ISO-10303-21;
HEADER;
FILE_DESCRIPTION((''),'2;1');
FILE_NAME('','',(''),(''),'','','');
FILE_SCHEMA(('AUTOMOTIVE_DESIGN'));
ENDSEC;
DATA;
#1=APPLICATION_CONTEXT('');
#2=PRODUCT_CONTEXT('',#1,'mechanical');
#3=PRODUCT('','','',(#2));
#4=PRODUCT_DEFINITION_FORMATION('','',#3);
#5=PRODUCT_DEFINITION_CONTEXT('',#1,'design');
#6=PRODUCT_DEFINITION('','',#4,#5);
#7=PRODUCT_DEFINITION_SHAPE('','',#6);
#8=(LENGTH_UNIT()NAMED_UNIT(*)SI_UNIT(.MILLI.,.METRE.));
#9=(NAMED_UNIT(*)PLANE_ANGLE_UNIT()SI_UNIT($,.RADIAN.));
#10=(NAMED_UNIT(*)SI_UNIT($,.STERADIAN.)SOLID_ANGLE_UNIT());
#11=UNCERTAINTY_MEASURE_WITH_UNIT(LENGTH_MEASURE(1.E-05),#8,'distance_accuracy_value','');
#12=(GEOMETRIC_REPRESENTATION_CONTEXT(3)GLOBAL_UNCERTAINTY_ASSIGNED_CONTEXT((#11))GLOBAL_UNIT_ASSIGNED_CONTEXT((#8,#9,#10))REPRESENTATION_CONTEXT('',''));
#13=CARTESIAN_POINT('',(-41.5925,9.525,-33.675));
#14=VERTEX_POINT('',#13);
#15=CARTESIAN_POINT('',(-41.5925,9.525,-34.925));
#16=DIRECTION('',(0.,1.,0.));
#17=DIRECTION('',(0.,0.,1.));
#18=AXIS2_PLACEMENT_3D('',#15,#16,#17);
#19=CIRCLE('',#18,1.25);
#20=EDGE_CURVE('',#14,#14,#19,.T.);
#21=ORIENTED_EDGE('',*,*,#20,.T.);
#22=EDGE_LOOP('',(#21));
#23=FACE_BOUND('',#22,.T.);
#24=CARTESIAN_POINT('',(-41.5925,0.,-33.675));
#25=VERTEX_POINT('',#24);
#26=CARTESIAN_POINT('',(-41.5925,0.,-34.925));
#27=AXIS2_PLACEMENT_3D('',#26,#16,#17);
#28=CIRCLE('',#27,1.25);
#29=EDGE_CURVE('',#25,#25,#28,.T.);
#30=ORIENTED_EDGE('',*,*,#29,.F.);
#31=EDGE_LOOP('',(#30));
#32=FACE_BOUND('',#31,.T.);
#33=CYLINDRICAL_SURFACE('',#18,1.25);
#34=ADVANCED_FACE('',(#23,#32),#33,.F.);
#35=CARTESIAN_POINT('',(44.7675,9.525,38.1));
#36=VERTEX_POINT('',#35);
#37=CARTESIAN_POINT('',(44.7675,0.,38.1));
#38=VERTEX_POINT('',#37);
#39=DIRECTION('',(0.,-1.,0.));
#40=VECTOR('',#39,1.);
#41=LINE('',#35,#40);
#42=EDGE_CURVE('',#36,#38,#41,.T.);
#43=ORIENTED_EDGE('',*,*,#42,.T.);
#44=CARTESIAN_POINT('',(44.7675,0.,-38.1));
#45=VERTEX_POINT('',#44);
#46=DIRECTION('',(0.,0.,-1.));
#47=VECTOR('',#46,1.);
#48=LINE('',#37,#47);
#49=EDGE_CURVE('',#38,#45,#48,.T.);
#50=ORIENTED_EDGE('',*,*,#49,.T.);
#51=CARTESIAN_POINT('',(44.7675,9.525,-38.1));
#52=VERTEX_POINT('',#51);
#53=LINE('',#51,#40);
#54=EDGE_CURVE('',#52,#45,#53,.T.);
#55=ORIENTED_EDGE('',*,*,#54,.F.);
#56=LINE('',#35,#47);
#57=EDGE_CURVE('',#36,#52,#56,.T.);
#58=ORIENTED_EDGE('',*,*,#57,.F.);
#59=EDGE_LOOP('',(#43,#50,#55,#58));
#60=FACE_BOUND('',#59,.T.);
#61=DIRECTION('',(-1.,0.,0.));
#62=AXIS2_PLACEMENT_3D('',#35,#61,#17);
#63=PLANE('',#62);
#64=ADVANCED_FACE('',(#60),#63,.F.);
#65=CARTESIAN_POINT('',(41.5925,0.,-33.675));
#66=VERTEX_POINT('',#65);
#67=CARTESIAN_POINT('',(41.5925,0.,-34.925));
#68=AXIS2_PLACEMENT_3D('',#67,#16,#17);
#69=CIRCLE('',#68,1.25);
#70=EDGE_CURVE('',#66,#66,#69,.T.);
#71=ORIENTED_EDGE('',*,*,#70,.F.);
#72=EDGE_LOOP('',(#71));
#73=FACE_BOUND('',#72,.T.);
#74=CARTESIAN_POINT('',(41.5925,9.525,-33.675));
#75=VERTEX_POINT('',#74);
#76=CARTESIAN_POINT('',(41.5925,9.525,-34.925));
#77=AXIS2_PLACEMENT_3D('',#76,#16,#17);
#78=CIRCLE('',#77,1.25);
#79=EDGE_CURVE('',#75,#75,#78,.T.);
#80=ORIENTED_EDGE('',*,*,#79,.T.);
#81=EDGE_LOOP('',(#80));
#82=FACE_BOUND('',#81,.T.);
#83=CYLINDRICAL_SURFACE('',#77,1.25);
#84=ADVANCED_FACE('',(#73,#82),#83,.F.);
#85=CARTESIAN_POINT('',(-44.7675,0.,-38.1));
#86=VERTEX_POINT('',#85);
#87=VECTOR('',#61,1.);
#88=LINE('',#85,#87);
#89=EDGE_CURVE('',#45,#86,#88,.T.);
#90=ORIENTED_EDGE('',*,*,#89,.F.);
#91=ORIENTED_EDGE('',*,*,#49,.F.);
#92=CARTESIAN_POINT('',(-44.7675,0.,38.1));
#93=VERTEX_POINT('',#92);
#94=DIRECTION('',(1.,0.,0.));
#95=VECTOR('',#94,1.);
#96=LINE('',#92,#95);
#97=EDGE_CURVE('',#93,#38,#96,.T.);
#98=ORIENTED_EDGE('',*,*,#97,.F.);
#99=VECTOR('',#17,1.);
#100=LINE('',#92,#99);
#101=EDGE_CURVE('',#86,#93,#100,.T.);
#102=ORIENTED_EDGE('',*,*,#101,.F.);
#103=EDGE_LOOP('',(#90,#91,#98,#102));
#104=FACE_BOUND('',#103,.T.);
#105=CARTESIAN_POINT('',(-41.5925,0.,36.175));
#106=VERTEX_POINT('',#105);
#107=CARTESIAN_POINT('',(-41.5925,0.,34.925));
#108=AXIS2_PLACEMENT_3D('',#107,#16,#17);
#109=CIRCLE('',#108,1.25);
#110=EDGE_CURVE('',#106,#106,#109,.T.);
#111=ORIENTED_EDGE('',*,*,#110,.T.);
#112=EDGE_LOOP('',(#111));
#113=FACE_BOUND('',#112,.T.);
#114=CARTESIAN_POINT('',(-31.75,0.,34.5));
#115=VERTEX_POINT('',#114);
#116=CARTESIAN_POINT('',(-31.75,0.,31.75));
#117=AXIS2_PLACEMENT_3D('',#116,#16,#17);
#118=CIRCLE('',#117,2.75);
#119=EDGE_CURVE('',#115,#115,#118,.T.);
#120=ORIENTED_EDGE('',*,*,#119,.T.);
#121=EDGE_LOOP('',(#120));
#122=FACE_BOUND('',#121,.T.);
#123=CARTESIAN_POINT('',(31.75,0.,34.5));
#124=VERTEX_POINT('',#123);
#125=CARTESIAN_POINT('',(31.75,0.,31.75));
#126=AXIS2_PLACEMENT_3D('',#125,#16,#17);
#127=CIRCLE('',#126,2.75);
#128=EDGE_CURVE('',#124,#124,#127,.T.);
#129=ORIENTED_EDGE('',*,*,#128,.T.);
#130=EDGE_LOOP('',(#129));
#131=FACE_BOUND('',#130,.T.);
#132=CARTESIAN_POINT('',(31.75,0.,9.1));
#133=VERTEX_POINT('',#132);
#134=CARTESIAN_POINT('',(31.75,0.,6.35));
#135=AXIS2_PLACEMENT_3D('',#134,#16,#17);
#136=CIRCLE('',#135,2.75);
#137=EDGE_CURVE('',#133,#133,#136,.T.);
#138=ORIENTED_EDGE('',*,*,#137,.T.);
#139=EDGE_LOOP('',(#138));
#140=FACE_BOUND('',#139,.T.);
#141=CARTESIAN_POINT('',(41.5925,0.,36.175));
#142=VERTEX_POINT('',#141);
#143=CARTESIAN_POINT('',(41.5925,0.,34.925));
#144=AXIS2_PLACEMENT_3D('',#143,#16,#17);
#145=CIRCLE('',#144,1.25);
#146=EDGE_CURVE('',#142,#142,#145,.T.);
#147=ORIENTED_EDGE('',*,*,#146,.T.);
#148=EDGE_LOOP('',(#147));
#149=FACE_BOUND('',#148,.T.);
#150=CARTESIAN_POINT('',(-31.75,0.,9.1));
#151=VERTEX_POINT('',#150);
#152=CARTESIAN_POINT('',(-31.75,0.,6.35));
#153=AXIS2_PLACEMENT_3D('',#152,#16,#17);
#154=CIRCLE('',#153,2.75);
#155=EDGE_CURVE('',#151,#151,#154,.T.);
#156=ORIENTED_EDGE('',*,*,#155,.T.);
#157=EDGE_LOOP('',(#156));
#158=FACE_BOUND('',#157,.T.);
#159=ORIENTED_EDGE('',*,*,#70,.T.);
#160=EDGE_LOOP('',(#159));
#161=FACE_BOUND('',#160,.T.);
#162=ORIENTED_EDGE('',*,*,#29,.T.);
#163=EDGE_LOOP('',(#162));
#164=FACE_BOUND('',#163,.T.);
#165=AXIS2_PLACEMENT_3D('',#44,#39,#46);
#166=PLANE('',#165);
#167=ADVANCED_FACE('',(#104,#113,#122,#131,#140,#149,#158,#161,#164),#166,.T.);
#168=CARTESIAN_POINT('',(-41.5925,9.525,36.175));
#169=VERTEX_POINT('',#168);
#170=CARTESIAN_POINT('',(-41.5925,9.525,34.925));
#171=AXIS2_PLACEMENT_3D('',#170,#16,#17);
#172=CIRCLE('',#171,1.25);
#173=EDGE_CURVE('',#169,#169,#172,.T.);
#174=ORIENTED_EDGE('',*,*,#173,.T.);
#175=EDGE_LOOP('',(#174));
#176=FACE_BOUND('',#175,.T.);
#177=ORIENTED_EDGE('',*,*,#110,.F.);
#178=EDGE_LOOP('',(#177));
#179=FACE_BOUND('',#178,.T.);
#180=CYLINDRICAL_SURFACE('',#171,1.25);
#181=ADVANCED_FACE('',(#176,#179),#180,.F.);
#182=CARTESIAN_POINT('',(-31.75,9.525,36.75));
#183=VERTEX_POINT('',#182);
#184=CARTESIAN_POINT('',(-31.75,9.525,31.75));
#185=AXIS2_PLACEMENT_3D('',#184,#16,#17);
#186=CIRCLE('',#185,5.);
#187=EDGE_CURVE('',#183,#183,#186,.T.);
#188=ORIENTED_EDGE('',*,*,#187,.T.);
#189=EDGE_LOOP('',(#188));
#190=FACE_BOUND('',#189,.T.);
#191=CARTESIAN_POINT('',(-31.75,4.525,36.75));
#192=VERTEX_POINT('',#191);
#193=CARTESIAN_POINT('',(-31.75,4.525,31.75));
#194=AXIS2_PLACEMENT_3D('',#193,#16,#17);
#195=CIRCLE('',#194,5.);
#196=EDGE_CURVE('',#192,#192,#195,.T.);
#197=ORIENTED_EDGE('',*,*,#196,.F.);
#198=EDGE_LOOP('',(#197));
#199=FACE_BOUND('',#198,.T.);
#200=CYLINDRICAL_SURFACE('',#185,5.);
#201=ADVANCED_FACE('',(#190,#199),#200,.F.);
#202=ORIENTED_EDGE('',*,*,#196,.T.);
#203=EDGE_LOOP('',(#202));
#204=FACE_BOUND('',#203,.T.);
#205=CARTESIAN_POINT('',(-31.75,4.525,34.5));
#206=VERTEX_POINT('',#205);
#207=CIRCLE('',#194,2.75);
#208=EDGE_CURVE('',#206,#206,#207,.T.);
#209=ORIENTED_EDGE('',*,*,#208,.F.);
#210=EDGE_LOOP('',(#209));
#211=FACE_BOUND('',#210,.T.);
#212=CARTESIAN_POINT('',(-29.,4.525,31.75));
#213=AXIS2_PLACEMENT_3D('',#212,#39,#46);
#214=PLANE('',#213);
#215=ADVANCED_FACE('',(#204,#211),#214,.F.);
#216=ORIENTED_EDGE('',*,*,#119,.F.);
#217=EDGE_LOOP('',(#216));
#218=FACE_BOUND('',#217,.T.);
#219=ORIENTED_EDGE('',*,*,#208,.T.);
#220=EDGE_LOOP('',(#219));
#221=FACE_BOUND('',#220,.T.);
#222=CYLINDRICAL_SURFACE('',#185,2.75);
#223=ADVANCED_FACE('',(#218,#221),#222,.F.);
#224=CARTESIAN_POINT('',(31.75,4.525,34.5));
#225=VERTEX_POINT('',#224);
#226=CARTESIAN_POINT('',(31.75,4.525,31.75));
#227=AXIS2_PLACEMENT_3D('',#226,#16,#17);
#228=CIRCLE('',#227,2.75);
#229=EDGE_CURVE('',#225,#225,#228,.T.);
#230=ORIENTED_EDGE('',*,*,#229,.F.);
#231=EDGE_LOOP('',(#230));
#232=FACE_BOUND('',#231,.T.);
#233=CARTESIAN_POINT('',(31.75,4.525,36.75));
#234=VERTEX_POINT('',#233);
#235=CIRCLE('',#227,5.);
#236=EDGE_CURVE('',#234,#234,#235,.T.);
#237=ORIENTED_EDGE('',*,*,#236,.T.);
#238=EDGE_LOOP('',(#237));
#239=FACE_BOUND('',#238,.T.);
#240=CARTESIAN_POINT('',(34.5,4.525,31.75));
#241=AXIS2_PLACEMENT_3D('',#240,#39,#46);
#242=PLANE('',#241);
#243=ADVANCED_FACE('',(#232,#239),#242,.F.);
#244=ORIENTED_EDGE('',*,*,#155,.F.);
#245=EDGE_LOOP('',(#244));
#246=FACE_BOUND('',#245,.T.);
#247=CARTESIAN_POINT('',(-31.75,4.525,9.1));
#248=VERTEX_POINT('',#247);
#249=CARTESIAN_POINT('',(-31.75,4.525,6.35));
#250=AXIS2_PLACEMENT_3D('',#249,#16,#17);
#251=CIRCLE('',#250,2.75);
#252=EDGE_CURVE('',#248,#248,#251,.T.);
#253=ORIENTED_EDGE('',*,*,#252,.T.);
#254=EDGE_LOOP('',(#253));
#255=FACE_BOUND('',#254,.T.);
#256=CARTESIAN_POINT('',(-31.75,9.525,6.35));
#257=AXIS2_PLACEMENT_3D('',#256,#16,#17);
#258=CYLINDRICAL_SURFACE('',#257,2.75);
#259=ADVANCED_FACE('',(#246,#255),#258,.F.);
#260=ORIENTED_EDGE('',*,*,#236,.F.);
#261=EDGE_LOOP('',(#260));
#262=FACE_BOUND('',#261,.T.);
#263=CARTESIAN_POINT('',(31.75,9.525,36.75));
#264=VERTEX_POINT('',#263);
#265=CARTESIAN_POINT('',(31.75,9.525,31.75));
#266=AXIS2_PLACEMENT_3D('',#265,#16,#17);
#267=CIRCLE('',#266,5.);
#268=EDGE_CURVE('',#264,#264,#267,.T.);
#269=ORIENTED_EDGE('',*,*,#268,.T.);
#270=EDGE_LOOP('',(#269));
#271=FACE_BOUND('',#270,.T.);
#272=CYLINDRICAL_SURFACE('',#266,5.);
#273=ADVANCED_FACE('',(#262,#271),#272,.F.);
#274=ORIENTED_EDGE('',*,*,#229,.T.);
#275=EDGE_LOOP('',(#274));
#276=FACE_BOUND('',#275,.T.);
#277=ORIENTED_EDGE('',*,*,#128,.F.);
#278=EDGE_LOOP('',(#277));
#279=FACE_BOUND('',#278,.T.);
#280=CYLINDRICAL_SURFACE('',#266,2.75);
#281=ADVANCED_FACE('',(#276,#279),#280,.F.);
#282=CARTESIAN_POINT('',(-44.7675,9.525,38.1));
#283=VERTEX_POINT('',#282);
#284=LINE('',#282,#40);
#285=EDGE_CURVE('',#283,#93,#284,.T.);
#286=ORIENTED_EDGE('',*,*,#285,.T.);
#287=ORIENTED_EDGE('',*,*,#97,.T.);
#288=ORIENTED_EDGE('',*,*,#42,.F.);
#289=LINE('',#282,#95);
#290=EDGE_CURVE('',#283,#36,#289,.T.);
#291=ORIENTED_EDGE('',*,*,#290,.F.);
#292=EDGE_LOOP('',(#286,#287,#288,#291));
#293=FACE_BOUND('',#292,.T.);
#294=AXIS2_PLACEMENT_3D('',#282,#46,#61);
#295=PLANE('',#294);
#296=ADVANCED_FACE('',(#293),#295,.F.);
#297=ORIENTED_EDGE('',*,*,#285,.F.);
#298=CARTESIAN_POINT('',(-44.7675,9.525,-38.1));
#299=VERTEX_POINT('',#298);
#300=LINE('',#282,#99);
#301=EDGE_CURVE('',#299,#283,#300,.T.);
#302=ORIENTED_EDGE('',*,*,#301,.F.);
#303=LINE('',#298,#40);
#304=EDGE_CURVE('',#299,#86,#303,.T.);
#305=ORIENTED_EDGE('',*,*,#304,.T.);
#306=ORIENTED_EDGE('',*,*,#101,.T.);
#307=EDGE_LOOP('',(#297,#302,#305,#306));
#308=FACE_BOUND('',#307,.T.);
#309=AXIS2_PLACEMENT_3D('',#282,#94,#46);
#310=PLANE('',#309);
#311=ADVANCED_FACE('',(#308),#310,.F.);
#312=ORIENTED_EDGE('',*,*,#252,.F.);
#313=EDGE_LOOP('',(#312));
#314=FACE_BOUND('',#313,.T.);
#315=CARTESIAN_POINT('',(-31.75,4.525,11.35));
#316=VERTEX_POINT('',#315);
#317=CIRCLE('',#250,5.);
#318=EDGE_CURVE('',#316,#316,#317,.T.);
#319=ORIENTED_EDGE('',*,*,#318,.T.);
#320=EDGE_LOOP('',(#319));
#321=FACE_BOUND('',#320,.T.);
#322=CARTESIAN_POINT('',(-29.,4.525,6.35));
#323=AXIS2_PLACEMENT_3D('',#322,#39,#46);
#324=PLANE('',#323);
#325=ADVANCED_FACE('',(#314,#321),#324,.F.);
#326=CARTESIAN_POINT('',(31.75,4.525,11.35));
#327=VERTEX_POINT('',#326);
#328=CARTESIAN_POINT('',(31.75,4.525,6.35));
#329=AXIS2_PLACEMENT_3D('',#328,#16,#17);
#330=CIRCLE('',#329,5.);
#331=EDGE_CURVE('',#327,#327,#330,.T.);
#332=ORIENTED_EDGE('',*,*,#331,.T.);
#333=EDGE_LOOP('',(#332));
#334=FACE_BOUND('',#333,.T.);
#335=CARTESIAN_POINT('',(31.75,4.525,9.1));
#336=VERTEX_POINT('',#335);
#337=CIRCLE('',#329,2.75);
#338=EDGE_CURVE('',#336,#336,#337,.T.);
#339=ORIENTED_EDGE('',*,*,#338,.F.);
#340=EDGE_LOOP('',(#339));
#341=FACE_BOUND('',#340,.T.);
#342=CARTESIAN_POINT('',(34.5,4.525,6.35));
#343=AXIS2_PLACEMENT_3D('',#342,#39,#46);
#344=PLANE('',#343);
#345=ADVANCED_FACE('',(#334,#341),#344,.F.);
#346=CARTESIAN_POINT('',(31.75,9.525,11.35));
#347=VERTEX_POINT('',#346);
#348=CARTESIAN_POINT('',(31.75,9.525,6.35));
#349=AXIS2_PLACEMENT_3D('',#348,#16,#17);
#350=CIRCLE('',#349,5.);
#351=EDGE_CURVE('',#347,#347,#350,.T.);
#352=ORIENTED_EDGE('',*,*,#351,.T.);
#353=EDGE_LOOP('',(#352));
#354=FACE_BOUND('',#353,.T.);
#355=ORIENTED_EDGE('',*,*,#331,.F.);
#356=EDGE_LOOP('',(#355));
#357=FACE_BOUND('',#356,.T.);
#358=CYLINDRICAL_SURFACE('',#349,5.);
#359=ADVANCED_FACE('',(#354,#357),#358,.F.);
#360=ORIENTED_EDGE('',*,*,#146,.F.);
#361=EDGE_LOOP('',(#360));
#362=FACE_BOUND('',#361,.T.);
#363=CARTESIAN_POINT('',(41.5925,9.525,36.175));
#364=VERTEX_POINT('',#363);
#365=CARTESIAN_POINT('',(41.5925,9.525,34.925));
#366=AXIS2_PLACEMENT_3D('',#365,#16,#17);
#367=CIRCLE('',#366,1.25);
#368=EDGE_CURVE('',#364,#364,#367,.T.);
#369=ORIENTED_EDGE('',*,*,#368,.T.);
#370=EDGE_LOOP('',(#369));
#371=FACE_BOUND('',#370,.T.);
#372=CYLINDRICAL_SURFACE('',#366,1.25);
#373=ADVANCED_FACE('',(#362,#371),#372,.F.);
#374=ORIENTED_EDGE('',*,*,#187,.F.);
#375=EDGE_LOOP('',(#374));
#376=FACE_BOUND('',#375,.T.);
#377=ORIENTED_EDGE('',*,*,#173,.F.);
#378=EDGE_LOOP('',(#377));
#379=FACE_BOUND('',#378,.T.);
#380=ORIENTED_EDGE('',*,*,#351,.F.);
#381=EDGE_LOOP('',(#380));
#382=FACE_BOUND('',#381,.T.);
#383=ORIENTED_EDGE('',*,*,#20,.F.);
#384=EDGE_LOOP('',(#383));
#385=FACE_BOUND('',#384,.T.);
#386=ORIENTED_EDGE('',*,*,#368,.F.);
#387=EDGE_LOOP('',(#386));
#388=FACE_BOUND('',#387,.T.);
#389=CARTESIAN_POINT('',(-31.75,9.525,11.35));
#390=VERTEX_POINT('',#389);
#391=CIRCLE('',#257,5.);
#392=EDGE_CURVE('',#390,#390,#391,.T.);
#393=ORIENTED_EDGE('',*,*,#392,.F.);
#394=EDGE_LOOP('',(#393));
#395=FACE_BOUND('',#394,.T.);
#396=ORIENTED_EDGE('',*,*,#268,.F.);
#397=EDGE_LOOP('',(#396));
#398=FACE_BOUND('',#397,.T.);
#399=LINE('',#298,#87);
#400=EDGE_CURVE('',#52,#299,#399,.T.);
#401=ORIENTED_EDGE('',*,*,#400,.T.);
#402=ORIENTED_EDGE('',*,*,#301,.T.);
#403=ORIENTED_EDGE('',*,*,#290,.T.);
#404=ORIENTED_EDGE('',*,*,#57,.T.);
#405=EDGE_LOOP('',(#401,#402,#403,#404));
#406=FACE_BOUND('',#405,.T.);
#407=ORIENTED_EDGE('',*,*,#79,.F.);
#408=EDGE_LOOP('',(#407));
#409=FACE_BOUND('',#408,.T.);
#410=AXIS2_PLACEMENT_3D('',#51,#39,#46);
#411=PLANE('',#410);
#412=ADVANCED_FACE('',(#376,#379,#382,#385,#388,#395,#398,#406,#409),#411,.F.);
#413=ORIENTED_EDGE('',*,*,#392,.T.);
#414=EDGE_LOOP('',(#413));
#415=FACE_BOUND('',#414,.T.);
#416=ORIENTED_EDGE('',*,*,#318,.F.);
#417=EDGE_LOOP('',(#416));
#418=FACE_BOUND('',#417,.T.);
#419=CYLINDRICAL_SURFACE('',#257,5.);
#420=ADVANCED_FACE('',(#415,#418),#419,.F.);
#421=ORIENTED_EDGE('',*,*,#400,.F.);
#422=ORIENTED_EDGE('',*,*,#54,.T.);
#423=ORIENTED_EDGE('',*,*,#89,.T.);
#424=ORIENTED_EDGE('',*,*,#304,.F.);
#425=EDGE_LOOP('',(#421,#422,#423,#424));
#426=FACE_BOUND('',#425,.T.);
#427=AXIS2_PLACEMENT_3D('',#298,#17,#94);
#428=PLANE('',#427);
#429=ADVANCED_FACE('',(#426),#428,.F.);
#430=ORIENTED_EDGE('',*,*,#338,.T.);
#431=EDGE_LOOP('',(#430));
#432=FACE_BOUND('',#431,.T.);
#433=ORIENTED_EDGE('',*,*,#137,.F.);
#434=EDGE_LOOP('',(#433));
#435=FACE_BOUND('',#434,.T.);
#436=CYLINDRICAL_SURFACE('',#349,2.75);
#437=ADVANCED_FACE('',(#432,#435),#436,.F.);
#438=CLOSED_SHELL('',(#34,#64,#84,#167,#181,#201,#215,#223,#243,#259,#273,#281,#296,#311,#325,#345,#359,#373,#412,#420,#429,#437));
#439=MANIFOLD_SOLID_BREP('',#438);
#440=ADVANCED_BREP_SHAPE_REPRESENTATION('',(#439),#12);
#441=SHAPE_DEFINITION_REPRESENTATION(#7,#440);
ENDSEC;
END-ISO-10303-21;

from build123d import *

# Parameters (mm, degrees)
SKETCH1_W                      = 89.535
SKETCH1_H                      = 76.2
EXTRUDE1_DEPTH                 = 9.525
CBORE_FOR_M5_SHCS3_D           = 5.5
CBORE_FOR_M5_SHCS3_CBORE_D     = 10
CBORE_FOR_M5_SHCS3_CBORE_DEPTH = 5
LPATTERN4_COUNT                = 2
LPATTERN4_PITCH                = 63.5
LPATTERN4_COUNT_DIR2           = 2
LPATTERN4_PITCH_DIR2           = 25.4
M3X0_5_TAPPED_HOLE2_D          = 2.5
LPATTERN5_COUNT                = 2
LPATTERN5_PITCH                = 83.185
LPATTERN5_COUNT_DIR2           = 2
LPATTERN5_PITCH_DIR2           = 69.85


with BuildPart() as part:
    # Sketch1 → Extrude1 (new body)
    with BuildSketch(Plane(origin=(0, 0, 0), x_dir=(1, 0, 0), z_dir=(0, 1, 0))):
        Rectangle(SKETCH1_W, SKETCH1_H)
    extrude(amount=EXTRUDE1_DEPTH)

    # CBORE for M5 SHCS3 (through all)
    with Locations(Plane(origin=(-31.75, 9.525, 31.75), x_dir=(0, 0, 1), z_dir=(0, 1, 0))):
        with Locations((0, 0)):
            cbore_for_m5_shcs3 = CounterBoreHole(CBORE_FOR_M5_SHCS3_D / 2, CBORE_FOR_M5_SHCS3_CBORE_D / 2, CBORE_FOR_M5_SHCS3_CBORE_DEPTH)

    # LPattern4: CBORE for M5 SHCS3 2 × 2
    with Locations(*[(i * LPATTERN4_PITCH, 0, -j * LPATTERN4_PITCH_DIR2) for i in range(LPATTERN4_COUNT) for j in range(LPATTERN4_COUNT_DIR2) if (i, j) != (0, 0)]):
        add(cbore_for_m5_shcs3, mode=Mode.SUBTRACT)

    # M3x0.5 Tapped Hole2 (through all)
    with Locations(Plane(origin=(-41.5925, 9.525, 34.925), x_dir=(0, 0, 1), z_dir=(0, 1, 0))):
        with Locations((0, 0)):
            m3x0_5_tapped_hole2 = Hole(M3X0_5_TAPPED_HOLE2_D / 2)

    # LPattern5: M3x0.5 Tapped Hole2 2 × 2
    with Locations(*[(i * LPATTERN5_PITCH, 0, -j * LPATTERN5_PITCH_DIR2) for i in range(LPATTERN5_COUNT) for j in range(LPATTERN5_COUNT_DIR2) if (i, j) != (0, 0)]):
        add(m3x0_5_tapped_hole2, mode=Mode.SUBTRACT)


solid = part.part
